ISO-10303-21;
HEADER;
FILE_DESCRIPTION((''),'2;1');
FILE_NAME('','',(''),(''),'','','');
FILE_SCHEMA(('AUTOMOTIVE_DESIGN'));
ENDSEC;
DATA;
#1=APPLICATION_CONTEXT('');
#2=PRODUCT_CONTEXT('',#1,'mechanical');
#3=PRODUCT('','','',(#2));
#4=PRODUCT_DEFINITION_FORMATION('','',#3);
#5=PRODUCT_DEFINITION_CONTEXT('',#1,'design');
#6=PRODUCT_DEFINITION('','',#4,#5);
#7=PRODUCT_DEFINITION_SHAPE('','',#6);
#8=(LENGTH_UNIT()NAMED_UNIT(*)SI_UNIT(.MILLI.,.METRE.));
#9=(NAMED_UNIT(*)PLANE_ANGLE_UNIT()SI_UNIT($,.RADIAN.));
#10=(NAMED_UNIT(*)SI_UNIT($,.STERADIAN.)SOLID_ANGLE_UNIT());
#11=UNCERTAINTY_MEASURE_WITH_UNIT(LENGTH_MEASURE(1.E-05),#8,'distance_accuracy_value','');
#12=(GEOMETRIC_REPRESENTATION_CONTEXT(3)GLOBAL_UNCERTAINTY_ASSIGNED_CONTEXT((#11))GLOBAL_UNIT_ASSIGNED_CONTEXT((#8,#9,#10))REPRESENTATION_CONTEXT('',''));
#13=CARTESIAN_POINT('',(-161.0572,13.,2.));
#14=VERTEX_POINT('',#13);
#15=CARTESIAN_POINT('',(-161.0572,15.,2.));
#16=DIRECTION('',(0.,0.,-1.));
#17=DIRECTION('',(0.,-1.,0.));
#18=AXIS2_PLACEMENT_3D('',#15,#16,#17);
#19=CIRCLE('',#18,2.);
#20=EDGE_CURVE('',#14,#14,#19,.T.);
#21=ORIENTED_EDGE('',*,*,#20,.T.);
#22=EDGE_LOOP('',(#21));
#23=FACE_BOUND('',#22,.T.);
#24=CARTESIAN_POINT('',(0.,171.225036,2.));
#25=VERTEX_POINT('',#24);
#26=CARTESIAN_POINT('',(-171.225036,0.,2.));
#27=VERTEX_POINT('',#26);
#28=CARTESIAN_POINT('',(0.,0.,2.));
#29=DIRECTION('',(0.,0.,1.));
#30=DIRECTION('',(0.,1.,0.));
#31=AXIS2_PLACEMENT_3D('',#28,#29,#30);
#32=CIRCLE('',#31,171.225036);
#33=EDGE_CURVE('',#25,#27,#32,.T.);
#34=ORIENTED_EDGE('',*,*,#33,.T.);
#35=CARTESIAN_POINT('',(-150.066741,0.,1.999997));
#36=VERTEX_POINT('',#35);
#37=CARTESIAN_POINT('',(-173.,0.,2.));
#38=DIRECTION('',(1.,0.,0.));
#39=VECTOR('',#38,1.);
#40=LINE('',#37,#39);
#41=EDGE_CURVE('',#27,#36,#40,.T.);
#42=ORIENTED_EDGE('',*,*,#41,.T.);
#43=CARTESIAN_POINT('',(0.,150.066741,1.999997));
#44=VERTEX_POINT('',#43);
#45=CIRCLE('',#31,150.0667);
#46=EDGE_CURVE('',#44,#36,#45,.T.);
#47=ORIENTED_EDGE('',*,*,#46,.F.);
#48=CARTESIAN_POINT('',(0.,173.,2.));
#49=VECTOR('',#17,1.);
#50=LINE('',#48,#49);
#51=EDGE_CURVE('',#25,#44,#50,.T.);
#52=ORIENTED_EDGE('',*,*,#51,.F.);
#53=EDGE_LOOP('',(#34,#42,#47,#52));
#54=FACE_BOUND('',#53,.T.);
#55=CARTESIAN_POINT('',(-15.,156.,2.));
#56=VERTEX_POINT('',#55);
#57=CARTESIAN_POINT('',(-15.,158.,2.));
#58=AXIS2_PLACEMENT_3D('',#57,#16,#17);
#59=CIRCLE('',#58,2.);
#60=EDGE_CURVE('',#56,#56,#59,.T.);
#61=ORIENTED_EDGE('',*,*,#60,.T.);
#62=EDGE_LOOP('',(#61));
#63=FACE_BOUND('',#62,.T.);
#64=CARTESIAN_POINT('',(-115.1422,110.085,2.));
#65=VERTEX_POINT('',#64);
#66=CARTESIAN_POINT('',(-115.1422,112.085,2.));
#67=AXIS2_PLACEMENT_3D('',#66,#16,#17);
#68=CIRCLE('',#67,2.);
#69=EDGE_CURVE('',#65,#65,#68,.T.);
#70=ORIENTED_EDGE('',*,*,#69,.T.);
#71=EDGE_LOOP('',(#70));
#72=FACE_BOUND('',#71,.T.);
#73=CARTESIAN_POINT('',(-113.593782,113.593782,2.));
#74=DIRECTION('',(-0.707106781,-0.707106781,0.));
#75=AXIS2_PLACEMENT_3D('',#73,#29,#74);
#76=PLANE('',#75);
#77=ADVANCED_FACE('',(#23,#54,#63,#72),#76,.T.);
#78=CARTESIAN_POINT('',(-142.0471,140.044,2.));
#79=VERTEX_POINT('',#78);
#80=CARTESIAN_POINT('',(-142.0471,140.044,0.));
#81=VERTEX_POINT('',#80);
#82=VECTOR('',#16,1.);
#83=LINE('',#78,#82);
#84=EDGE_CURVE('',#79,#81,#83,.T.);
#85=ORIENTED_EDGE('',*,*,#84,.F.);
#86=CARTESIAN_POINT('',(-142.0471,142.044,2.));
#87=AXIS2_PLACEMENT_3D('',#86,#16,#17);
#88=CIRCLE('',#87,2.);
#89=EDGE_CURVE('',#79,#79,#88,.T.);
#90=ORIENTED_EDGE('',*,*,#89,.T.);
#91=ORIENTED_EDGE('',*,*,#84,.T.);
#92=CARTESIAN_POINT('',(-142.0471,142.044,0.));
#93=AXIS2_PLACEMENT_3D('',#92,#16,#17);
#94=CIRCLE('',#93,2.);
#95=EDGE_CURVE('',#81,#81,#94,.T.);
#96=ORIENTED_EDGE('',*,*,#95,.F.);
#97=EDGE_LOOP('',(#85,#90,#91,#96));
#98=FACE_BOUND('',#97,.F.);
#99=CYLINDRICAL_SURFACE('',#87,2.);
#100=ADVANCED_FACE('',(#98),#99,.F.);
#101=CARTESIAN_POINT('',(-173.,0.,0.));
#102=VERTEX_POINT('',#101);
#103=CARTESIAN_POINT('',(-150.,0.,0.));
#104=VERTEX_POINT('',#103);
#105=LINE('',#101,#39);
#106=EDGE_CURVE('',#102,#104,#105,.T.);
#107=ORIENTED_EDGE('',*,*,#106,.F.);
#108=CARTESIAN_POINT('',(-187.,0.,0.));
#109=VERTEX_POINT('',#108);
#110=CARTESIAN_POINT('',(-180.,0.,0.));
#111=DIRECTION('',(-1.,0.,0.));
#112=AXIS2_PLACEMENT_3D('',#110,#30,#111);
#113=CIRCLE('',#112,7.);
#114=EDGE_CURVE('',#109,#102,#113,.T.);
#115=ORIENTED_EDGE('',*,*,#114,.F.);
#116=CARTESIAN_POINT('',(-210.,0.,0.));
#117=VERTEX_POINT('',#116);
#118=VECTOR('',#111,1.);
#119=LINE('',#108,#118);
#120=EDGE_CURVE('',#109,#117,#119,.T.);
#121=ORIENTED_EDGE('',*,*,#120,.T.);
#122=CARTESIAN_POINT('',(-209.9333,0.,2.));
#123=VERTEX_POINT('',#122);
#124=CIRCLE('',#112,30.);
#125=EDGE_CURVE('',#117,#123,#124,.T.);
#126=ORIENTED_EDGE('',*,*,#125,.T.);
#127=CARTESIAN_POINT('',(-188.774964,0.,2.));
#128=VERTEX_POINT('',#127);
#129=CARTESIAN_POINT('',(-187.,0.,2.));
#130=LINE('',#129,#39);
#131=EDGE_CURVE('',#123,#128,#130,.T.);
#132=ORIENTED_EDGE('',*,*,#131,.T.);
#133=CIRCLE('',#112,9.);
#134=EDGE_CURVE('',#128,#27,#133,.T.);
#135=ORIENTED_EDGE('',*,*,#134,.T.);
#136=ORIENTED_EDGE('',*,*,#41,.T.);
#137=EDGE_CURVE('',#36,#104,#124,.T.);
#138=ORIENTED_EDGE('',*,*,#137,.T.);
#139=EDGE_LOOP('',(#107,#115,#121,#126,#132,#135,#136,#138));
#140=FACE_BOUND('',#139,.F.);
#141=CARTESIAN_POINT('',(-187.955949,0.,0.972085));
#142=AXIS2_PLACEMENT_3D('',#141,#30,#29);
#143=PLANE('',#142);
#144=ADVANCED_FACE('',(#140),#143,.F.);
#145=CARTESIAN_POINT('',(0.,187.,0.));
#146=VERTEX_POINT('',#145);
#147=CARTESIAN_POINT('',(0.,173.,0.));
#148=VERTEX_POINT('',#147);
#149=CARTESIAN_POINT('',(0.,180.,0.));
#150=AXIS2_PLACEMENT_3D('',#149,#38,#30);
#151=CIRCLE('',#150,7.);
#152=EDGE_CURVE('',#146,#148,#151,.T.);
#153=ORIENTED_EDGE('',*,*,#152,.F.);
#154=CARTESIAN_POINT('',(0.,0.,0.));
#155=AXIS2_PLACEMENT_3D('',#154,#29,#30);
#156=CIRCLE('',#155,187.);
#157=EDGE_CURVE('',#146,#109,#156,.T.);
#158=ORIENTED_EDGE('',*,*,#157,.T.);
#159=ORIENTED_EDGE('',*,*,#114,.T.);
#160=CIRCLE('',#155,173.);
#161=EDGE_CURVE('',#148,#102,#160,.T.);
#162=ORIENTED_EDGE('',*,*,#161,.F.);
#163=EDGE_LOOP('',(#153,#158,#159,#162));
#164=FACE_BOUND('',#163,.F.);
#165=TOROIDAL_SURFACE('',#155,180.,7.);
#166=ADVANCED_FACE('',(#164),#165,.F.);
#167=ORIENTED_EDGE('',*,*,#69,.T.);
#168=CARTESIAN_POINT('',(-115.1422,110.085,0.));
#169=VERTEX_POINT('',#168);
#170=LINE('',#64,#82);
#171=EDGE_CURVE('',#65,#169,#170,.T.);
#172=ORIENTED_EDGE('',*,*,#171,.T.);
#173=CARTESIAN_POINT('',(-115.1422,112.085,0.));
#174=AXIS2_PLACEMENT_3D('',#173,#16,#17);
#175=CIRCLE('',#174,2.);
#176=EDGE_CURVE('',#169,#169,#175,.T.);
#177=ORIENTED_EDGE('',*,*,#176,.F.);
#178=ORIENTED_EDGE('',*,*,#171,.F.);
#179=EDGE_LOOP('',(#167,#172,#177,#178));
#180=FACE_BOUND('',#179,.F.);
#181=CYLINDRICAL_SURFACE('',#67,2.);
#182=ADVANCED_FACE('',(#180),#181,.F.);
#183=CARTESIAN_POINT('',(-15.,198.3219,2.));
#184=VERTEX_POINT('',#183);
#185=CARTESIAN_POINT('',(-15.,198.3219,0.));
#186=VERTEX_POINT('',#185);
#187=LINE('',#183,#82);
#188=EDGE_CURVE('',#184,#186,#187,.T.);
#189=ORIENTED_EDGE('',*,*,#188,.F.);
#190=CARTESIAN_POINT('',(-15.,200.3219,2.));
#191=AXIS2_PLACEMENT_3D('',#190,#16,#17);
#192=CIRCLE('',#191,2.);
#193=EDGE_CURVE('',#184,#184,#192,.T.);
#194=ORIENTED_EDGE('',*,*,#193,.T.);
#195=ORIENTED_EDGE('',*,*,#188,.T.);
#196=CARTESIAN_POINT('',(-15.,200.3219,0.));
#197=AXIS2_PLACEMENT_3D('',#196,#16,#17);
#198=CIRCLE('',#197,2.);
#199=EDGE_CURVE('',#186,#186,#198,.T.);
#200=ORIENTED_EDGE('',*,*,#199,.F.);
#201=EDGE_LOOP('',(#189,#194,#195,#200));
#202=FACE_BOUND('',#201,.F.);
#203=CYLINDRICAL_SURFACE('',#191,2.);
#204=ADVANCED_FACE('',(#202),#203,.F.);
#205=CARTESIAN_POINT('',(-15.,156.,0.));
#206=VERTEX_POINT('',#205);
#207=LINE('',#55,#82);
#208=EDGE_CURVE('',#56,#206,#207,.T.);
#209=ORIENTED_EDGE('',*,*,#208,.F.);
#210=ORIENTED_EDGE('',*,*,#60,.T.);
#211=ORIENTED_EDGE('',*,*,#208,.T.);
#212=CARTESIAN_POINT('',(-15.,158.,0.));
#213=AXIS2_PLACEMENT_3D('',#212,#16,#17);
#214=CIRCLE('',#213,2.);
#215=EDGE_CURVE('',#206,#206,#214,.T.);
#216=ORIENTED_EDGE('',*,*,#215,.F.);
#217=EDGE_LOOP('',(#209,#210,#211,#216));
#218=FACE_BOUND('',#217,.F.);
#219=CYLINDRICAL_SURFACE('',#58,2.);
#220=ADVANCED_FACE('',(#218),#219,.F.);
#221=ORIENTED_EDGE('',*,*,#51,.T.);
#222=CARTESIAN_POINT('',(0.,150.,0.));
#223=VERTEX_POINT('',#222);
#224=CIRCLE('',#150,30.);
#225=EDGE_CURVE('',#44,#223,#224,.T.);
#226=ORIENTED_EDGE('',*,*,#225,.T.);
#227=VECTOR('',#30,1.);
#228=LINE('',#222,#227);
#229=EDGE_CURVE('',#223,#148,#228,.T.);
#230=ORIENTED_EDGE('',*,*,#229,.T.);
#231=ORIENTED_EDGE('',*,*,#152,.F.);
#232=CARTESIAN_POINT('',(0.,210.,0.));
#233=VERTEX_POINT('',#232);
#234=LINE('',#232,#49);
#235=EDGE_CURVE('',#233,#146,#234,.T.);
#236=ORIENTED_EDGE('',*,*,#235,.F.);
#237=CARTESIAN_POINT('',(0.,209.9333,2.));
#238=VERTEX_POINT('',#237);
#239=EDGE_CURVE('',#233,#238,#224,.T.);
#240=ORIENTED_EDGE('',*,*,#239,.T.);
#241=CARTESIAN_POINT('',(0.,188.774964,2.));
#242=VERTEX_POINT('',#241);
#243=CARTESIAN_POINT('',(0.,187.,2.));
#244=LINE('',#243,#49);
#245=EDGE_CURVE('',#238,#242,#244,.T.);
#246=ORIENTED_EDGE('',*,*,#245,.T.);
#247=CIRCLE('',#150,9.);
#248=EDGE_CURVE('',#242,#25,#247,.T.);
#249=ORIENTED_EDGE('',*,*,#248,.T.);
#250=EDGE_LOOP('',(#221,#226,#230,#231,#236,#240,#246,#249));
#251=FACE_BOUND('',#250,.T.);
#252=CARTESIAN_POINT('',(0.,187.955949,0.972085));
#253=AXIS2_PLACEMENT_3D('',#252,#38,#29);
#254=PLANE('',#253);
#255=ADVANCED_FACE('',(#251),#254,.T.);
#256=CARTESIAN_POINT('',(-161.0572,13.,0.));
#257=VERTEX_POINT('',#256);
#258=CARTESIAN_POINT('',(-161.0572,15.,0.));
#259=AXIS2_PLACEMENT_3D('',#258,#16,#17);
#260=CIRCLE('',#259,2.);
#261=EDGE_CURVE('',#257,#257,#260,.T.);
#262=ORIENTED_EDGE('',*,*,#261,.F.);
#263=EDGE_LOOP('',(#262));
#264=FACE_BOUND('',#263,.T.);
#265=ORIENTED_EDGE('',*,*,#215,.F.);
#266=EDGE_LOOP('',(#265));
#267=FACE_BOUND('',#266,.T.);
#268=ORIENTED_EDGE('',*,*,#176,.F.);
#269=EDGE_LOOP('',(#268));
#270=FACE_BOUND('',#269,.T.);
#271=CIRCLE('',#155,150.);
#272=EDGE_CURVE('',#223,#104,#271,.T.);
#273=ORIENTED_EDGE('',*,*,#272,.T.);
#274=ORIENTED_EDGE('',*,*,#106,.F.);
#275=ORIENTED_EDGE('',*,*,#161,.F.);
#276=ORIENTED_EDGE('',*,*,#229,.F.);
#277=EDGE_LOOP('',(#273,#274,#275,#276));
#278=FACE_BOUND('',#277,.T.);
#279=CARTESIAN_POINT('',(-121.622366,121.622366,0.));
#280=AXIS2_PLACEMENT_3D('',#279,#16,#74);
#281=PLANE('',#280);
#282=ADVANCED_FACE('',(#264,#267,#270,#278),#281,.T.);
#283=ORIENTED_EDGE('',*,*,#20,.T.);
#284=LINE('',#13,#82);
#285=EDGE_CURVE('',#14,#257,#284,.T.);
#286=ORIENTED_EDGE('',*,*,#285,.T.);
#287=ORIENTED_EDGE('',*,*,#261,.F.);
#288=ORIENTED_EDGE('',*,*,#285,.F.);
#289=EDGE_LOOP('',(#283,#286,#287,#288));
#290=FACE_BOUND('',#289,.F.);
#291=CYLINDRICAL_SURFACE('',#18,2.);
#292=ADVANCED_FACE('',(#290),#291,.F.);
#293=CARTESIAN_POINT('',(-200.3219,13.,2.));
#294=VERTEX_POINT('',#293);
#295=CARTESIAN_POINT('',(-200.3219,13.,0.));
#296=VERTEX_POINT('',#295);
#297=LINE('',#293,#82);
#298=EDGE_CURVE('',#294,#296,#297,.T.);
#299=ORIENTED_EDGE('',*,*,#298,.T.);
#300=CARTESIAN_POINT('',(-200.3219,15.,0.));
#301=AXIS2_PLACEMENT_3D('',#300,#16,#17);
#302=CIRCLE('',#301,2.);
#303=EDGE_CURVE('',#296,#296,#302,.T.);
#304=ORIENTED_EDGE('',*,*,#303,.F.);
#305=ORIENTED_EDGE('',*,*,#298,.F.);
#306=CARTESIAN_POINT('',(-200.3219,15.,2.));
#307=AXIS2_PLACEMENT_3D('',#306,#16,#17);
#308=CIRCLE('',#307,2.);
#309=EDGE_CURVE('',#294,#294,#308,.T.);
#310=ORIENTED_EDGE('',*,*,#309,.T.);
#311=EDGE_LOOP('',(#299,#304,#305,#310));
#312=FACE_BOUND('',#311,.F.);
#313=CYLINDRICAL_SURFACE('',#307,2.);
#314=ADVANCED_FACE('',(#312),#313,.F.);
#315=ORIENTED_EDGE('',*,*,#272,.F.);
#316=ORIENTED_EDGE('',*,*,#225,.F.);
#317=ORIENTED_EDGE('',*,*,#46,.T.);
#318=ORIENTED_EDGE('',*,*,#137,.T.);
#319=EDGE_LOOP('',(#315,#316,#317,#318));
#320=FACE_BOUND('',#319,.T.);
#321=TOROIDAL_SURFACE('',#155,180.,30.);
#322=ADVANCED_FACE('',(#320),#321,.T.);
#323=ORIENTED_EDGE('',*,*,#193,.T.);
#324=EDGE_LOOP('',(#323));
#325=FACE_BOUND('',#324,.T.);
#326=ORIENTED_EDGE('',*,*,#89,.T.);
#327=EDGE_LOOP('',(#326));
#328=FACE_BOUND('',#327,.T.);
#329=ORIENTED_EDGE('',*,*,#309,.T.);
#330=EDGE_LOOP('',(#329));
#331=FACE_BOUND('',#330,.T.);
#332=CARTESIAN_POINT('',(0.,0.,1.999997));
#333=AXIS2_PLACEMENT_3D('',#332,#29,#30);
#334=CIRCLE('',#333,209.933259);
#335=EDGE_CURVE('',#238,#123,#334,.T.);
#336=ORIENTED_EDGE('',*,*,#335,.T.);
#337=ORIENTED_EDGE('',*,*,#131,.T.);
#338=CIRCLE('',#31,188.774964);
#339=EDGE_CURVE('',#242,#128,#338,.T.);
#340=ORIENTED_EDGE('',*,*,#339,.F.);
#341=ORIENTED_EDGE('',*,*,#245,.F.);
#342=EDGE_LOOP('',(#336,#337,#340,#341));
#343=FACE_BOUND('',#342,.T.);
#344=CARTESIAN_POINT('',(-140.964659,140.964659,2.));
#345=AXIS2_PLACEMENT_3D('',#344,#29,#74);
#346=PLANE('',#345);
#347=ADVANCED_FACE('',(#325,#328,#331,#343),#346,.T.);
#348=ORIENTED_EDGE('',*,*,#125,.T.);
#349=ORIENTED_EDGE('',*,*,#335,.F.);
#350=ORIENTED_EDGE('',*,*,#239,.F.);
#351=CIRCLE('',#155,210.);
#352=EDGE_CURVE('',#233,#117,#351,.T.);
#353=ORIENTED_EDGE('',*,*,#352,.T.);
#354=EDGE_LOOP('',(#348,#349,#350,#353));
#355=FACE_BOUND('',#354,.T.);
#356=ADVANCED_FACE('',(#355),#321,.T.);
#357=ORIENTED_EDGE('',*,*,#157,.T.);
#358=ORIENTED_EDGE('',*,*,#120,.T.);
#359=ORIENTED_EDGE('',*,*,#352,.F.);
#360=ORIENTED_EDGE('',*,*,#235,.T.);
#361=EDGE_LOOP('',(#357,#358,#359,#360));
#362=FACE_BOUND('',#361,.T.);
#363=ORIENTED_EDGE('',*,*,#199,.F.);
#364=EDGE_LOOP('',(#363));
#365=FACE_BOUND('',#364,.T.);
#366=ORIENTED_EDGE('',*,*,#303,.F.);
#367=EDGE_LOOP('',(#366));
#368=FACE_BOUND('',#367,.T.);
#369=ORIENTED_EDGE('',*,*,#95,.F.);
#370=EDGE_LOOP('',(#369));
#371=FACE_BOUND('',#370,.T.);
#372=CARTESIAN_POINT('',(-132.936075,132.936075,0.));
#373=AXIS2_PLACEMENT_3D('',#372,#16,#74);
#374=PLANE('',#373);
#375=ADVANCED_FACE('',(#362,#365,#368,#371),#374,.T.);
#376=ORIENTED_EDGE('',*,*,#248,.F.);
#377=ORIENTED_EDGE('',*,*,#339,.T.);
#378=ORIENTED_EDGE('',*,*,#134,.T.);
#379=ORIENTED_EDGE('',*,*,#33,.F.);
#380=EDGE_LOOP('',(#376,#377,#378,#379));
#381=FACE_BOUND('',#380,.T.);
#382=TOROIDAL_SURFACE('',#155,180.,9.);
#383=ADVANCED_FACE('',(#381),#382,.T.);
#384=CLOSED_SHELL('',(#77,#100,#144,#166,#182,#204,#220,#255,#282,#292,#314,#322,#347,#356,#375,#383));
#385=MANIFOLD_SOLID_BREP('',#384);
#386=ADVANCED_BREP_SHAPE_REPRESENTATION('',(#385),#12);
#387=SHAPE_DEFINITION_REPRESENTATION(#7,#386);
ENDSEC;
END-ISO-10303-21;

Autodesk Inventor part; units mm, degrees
ref_plane "YZ Plane" through (0, 0, 0) normal (1, 0, 0) x (0, 1, 0)
ref_plane "XZ Plane" through (0, 0, 0) normal (0, 1, 0) x (-1, 0, 0)
ref_plane "XY Plane" through (0, 0, 0) normal (0, 0, 1) x (1, 0, 0)
sketch "Skizze1" plane through (0, 0, 0) normal (0, 0, 1) x (1, 0, 0)
  arc A0 (0, 180) -> (-180, 0) centre (0, 0) ccw
  line L0 (-260.7351, 0) -> (43.4558, 0) projected
  line L1 (0, -43.4558) -> (0, 260.7351) projected
  dimension "d0" = 180
  dimension "d1" = 90
sketch "Skizze2" plane through (0, 0, 0) normal (0, 1, 0) x (-1, 0, 0)
  line L0 (0, -42) -> (0, 42) projected
  circle A0 centre (180, 0) radius 7
  line L1 (252, 0) -> (-42, 0) projected
  circle A1 centre (180, 0) radius 9
  line L2 (191.9553, 0) -> (171, 0)
  line L3 (173, 0) -> (160, 0)
  line L4 (173, 2) -> (173, 0)
  line L5 (187, 0) -> (200, 0)
  line L6 (187, 2) -> (187, 0)
  circle A2 centre (180, 0) radius 30
  line L7 (187, 2) -> (209.9333, 2)
  line L8 (173, 2) -> (150.0667, 2)
  point P0 (0, 0)
  point P1 (173, 0)
  point P2 (171, 0)
  point P3 (189, 0)
  point P4 (188.775, 2)
  point P5 (171.225, 2)
  point P6 (150, 0)
  point P7 (210, 0)
  dimension "d5" = 18
  dimension "d3" = 180
  dimension "d4" = 14
  dimension "d16" = 60
  dimension "d17" = 2
  dimension "d18" = 23
  dimension "d19" = 7
sweep "Sweeping1" add profiles "Skizze2" path "Skizze1" path curves A0 contours L6 L7 A1 L1 | A0 L4 L8 A1 L7 L6 | L1 A1 L8 L4 | A1 L7 A2 L1 | L1 A2 L8 A1
sketch "Skizze7" plane through (-171.225, 0, 2) normal (0, 0, 1) x (1, 0, 0)
  line L0 (18.1678, 0) -> (18.1678, -3) projected
  line L1 (0, 0) -> (21.1583, 0) projected
  line L2 (171.225, 150) -> (171.1678, 150) projected
  line L3 (171.225, 171.225) -> (171.225, 150.0667) projected
  line L4 (171.225, 210) -> (171.1678, 210) projected
  arc A0 (171.225, 150.0667) -> (21.1583, 0) centre (171.225, 0) ccw projected
  circle A1 centre (171.225, 0) radius 171 projected
  line L5 (-41.8322, 0) -> (-41.8322, -3) projected
  point P0 (10.1678, 15)
  point P1 (56.0828, 112.085)
  point P2 (156.225, 158)
  point P3 (21.225, 0)
  point P4 (-38.775, 0)
  dimension "d36" = 8
  dimension "d37" = 15
  dimension "d38" = 8
  dimension "d39" = 15
  dimension "d41" = 97.915
  dimension "d42" = 97.915
hole "Bohrung1" at (-161.0572, 15, 2) at (-115.1422, 112.085, 2) at (-15, 158, 2) direction (0, 0, -1) diameter 4 depth 8
sketch "Skizze8" plane through (-209.9333, 0, 2) normal (0, 0, 1) x (1, 0, 0)
  line L0 (-0.0667, 0) -> (-0.0667, -3) projected
  line L1 (0, 0) -> (21.1583, 0) projected
  line L2 (209.9333, 209.9333) -> (209.9333, 188.775) projected
  line L3 (209.9333, 210) -> (212.9333, 210) projected
  arc A0 (209.9333, 171.225) -> (38.7082, 0) centre (209.9333, 0) ccw projected
  circle A1 centre (209.9333, 0) radius 200.8827
  point P0 (9.6113, 15)
  point P1 (67.8861, 142.044)
  point P2 (194.9333, 200.3219)
  dimension "d51" = 15
  dimension "d52" = 15
  dimension "d54" = 142.044
  dimension "d59" = 401.7655
  dimension "d60" = 142.0471
hole "Bohrung3" at (-200.3219, 15, 2) at (-142.0471, 142.044, 2) at (-15, 200.3219, 2) direction (0, 0, -1) diameter 4 depth 8
properties part number "Kurventeil-Ph-L-dünn"
